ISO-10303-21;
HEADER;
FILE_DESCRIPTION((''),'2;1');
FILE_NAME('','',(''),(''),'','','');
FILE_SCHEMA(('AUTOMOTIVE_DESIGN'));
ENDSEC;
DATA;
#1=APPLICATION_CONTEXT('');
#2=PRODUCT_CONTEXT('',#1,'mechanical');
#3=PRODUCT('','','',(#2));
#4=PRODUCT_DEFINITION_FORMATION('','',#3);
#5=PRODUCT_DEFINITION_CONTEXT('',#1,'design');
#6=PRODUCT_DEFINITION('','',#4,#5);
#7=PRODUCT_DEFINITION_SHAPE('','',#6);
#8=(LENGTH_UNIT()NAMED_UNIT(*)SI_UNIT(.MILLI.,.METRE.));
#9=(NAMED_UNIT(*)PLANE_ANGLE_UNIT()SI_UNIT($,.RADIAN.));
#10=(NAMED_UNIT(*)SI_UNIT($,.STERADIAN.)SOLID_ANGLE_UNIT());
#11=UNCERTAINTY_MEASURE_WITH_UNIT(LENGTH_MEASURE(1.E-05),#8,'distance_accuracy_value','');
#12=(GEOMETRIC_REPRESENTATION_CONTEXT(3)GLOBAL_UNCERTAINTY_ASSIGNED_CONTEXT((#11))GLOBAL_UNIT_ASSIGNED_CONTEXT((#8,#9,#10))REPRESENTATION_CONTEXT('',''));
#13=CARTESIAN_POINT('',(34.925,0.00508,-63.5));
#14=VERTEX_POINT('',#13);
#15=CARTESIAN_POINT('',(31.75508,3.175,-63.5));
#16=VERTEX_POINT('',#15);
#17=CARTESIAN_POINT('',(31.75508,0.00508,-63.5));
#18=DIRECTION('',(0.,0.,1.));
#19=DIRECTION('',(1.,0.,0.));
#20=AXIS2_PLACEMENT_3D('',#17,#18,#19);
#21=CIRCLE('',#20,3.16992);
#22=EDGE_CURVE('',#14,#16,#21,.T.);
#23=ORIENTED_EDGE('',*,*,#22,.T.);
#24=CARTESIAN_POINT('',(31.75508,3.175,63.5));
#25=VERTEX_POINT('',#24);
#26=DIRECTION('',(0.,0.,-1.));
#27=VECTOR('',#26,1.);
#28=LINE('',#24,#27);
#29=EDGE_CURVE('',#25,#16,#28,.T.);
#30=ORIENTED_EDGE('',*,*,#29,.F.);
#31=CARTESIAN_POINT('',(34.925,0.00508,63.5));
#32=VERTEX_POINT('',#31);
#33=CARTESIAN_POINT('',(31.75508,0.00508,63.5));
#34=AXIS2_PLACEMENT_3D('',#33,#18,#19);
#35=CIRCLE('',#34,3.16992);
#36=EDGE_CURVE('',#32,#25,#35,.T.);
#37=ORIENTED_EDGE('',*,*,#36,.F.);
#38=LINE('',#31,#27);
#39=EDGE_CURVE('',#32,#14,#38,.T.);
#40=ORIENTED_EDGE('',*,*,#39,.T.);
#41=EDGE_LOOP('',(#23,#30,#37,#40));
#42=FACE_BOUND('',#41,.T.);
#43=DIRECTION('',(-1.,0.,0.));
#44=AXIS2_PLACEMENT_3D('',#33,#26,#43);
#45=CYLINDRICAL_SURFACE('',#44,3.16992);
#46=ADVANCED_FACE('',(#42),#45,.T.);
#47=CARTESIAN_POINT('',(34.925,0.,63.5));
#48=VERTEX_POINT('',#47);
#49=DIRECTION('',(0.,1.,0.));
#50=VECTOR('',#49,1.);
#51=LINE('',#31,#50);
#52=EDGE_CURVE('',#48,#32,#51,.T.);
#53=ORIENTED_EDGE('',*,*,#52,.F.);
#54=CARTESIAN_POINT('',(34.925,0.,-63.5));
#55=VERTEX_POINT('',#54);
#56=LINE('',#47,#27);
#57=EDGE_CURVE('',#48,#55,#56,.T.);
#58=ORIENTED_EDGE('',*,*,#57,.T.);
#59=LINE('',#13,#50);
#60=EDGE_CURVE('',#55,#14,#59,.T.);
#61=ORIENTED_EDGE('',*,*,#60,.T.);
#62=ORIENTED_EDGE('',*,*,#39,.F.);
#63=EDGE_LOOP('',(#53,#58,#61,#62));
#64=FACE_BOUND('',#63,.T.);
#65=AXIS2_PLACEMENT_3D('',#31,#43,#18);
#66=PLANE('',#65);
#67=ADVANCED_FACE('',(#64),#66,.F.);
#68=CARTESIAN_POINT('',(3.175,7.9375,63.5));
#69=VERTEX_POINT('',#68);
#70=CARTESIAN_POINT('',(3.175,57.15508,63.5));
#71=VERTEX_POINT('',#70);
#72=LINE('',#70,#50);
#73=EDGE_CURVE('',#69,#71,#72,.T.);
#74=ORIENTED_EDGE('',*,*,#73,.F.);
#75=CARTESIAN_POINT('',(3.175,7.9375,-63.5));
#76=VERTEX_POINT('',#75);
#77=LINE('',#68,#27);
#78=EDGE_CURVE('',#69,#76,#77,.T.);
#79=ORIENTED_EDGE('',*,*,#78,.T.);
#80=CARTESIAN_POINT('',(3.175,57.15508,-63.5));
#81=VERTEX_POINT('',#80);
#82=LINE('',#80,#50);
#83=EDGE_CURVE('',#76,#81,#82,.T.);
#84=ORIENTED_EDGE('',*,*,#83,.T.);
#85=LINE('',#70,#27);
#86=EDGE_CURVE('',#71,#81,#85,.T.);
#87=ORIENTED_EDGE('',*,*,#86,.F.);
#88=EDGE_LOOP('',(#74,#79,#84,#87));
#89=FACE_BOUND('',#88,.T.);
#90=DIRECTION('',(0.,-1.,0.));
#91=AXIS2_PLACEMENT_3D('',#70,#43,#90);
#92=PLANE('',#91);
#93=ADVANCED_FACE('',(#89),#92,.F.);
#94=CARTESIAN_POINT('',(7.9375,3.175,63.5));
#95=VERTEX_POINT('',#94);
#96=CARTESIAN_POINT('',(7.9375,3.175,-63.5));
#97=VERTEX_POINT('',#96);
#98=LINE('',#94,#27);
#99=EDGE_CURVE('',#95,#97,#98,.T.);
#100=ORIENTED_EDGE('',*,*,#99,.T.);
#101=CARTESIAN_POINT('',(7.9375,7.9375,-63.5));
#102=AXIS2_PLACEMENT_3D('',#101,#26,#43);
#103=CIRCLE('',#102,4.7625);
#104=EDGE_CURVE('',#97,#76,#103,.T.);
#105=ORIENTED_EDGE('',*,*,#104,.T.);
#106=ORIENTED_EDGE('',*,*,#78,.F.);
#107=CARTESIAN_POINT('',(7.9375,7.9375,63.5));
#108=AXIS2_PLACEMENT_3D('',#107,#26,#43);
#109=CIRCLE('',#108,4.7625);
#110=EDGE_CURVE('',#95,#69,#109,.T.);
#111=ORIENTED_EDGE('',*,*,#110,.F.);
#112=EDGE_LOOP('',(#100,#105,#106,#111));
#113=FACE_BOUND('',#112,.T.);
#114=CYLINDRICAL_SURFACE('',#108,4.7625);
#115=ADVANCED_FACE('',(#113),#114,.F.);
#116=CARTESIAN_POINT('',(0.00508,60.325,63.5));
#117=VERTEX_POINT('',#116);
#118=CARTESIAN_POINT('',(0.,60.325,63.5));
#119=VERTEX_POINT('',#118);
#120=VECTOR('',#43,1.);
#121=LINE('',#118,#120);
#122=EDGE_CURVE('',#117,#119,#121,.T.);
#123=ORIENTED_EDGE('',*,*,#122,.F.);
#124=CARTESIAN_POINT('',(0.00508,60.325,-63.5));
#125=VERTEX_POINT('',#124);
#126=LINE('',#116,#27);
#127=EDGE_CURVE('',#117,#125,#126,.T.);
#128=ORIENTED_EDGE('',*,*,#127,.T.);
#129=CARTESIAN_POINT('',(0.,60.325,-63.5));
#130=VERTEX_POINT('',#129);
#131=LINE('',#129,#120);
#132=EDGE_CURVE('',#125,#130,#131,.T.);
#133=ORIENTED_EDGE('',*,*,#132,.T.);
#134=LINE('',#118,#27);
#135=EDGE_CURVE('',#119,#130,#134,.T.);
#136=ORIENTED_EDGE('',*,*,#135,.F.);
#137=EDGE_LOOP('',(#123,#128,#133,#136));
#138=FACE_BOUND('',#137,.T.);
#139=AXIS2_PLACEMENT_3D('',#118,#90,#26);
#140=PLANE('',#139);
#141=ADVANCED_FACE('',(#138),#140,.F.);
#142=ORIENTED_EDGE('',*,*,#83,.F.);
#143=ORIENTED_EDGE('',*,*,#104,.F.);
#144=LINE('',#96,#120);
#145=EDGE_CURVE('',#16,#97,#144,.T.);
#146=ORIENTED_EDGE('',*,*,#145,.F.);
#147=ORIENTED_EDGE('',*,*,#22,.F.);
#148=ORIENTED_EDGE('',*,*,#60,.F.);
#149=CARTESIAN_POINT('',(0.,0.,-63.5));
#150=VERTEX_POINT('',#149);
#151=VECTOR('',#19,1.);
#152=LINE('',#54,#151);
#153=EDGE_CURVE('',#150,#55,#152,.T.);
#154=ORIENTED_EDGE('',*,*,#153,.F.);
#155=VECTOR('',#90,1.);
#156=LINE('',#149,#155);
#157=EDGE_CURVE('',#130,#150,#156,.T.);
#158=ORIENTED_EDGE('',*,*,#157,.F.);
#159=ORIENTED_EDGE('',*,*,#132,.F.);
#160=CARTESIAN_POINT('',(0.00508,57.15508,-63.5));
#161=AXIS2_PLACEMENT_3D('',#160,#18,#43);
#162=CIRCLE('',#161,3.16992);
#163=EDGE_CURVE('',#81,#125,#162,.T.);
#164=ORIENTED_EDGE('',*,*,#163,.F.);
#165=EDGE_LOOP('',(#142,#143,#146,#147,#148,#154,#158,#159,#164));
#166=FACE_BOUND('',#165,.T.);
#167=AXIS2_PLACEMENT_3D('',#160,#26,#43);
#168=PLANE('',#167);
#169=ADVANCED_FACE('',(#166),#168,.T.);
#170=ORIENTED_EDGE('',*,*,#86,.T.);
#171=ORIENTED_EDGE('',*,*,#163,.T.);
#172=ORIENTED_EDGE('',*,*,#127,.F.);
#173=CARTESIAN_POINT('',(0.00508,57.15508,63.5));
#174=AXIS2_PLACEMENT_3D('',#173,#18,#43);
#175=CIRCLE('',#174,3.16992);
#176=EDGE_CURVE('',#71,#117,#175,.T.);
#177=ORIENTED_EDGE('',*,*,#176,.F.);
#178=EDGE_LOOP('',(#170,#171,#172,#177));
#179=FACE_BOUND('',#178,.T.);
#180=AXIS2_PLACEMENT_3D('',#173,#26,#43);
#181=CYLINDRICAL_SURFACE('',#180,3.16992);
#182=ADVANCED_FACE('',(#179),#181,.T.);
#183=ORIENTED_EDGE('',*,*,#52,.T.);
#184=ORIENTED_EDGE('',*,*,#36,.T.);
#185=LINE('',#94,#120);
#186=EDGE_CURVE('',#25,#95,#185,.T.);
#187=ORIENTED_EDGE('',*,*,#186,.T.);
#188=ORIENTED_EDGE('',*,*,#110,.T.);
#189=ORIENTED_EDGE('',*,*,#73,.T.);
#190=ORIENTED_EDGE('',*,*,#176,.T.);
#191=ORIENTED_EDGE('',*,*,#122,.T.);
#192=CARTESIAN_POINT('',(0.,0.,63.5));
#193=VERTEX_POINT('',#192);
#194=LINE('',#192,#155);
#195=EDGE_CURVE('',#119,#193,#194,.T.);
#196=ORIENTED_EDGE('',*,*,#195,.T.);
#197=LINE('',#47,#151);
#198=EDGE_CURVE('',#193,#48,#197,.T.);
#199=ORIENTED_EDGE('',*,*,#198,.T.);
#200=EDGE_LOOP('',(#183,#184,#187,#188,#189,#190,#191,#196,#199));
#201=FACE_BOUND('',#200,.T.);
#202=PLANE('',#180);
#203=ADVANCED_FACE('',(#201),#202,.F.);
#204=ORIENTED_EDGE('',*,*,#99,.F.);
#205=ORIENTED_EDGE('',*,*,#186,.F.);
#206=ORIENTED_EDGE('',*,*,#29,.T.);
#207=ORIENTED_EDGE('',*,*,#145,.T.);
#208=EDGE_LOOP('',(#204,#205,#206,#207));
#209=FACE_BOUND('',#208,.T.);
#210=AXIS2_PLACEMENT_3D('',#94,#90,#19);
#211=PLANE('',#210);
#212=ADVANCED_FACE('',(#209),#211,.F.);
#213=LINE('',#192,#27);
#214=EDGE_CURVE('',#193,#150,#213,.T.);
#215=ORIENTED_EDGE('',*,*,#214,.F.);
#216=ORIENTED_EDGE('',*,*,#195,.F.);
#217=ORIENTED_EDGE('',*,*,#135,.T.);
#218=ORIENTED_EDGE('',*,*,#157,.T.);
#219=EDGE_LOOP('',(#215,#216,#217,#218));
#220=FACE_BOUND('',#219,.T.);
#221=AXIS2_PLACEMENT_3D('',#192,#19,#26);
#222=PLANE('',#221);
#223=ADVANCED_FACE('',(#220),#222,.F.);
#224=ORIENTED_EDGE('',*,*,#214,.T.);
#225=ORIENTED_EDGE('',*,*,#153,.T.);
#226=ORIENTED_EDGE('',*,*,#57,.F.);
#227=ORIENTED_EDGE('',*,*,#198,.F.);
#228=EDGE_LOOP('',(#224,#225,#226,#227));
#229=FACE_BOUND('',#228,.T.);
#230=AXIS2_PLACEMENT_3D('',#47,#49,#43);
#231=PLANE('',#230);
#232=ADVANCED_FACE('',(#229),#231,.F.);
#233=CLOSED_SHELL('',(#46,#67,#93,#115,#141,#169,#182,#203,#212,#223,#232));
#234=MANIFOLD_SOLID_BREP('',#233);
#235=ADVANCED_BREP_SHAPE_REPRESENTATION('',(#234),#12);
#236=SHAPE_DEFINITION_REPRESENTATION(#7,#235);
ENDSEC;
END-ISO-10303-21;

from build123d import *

# Parameters (mm, degrees)
BASESTEELANGLE_DEPTH = 63.5


with BuildPart() as part:
    # Sketch1 → BaseSteelAngle (new body, symmetric)
    with BuildSketch(Plane.XY):
        with BuildLine():
            Line((0, 0), (0, 60.325))
            Line((0, 60.325), (0.00508, 60.325))
            ThreePointArc((0.00508, 60.325), (2.246551928, 59.396551928), (3.175, 57.15508))
            Line((3.175, 57.15508), (3.175, 7.9375))
            ThreePointArc((3.175, 7.9375), (4.569903955, 4.569903955), (7.9375, 3.175))
            Line((7.9375, 3.175), (31.75508, 3.175))
            ThreePointArc((31.75508, 3.175), (33.996551928, 2.246551928), (34.925, 0.00508))
            Line((34.925, 0.00508), (34.925, 0))
            Line((34.925, 0), (0, 0))
        make_face()
    extrude(amount=BASESTEELANGLE_DEPTH, both=True)


solid = part.part
